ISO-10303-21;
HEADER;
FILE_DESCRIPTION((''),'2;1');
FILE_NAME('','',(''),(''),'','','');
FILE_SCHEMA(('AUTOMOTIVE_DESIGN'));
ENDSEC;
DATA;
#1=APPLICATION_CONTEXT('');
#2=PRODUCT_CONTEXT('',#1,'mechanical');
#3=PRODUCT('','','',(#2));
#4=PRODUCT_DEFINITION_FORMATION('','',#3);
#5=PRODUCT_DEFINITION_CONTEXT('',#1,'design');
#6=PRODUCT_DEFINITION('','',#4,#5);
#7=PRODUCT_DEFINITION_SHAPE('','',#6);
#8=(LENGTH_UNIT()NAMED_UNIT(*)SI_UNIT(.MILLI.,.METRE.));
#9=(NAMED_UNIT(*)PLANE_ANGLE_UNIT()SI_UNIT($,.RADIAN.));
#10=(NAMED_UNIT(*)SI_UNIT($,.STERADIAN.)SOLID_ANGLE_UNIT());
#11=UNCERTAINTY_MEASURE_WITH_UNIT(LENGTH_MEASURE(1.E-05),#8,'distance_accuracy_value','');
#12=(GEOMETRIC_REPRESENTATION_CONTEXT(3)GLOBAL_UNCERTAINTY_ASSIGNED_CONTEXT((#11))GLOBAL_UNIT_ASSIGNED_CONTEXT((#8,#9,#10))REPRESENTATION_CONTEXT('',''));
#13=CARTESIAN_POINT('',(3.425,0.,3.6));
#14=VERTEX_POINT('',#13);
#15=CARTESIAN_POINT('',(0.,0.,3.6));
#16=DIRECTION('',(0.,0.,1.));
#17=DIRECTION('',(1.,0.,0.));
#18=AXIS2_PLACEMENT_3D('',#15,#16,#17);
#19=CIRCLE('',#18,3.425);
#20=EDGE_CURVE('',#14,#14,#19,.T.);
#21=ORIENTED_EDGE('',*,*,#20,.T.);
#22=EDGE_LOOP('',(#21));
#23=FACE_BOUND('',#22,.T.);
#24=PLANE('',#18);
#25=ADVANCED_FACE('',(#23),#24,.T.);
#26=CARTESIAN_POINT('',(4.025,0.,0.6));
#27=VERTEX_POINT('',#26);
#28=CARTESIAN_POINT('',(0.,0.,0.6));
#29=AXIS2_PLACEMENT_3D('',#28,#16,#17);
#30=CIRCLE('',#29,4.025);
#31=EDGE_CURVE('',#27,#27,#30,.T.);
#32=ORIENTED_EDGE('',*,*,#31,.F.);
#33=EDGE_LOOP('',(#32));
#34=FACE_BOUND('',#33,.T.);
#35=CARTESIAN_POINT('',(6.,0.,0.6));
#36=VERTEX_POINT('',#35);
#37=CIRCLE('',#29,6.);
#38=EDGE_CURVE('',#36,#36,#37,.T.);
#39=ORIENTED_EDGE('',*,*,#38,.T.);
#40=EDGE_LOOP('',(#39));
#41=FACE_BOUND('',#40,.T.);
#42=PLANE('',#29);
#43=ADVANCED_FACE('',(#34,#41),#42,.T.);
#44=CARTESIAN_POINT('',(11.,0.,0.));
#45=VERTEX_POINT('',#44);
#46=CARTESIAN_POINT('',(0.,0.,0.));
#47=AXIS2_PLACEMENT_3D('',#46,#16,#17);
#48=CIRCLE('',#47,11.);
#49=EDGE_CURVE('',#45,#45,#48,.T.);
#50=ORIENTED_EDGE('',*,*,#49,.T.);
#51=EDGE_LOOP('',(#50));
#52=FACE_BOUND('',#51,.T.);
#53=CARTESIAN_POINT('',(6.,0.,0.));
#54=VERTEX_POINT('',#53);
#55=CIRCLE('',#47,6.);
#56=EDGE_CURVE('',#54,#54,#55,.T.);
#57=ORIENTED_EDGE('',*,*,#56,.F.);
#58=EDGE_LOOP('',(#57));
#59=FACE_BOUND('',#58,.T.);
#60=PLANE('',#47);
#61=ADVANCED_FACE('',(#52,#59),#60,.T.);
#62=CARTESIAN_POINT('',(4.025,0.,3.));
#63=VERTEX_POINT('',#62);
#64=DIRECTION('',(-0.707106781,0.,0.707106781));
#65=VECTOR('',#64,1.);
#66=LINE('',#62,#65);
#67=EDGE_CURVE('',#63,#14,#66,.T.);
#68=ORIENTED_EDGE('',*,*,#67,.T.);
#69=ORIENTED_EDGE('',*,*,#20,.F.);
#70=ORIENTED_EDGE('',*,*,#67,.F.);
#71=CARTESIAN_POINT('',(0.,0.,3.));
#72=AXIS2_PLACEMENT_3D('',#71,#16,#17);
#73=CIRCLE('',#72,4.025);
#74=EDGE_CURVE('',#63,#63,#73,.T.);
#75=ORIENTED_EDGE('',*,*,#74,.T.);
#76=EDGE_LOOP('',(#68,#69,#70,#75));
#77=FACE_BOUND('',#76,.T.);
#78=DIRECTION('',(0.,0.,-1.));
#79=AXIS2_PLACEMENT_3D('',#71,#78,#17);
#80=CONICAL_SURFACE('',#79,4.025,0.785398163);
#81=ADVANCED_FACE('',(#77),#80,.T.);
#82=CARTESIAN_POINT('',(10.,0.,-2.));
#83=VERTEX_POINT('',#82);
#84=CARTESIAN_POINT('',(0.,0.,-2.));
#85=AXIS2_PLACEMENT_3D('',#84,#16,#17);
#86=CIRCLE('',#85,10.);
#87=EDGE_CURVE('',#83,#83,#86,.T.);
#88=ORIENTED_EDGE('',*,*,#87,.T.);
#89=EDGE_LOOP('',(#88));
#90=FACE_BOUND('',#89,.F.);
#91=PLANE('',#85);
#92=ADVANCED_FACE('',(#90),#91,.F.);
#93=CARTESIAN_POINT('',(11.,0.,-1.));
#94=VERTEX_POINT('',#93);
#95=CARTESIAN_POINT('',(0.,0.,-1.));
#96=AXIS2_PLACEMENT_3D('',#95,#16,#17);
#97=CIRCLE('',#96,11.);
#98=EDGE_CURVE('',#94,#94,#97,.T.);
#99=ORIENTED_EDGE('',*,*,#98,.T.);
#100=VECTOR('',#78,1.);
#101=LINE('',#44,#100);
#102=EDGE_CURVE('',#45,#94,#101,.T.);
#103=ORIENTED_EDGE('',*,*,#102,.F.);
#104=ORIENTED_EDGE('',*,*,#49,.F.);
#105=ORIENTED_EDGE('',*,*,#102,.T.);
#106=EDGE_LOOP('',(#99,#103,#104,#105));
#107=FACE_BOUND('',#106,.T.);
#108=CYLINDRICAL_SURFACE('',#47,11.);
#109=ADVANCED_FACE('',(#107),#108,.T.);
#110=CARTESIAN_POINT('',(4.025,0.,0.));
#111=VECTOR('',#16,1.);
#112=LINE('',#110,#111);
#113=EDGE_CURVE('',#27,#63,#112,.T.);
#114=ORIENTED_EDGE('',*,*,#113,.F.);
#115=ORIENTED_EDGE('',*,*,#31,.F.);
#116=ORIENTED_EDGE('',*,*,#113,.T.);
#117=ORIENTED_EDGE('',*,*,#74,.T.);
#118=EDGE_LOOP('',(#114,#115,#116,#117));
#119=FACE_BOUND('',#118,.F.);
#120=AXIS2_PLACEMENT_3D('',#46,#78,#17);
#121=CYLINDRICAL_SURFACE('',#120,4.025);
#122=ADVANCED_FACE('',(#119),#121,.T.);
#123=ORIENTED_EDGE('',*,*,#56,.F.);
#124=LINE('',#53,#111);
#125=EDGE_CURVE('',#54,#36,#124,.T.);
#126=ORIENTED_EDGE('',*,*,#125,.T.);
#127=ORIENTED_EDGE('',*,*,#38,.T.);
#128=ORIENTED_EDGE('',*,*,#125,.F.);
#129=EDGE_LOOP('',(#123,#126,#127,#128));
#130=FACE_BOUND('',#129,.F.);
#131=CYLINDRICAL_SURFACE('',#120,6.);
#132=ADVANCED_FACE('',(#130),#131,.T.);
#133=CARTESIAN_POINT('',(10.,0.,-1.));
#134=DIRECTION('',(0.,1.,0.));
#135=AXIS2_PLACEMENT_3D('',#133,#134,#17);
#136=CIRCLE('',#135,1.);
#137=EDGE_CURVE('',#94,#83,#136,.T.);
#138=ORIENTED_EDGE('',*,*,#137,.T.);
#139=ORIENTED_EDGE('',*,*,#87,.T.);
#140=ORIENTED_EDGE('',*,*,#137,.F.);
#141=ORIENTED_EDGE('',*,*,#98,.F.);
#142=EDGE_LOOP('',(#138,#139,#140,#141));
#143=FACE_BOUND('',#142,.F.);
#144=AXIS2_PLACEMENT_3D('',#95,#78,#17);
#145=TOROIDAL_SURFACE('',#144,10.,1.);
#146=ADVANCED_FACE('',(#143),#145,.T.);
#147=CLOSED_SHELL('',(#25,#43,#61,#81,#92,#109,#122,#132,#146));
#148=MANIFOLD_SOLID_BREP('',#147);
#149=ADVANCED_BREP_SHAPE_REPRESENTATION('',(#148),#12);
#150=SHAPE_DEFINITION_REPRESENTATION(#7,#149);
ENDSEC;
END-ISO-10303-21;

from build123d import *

# Parameters (mm, degrees)
F0_R     = 11
F0_R_2   = 6
F0_R_3   = 4.025
F1_DEPTH = 2
F2_DEPTH = 0.6
F3_DEPTH = 3.6
F4_R     = 1
F5_SIZE  = 0.6


with BuildPart() as f1:
    # F0 (on Top) → F1 (new body)
    with BuildSketch(Plane.XY):
        Circle(F0_R)
        Circle(F0_R_2, mode=Mode.SUBTRACT)
        Circle(F0_R_2)
        Circle(F0_R_3, mode=Mode.SUBTRACT)
        Circle(F0_R_3)
    extrude(amount=-F1_DEPTH)

    # F0 (on Top) → F2 (join)
    with BuildSketch(Plane.XY):
        Circle(F0_R_2)
        Circle(F0_R_3, mode=Mode.SUBTRACT)
    extrude(amount=F2_DEPTH)

    # F0 (on Top) → F3 (join)
    with BuildSketch(Plane.XY):
        Circle(F0_R_3)
    extrude(amount=F3_DEPTH)

    # F4
    f4_edges = [f1.edges().sort_by_distance(p)[0] for p in [
        (-11, 0, -2),
    ]]
    fillet(f4_edges, radius=F4_R)

    # F5
    f5_edges = [f1.edges().sort_by_distance(p)[0] for p in [
        (-4.025, 0, 3.6),
    ]]
    chamfer(f5_edges, length=F5_SIZE)


solid = f1.part
